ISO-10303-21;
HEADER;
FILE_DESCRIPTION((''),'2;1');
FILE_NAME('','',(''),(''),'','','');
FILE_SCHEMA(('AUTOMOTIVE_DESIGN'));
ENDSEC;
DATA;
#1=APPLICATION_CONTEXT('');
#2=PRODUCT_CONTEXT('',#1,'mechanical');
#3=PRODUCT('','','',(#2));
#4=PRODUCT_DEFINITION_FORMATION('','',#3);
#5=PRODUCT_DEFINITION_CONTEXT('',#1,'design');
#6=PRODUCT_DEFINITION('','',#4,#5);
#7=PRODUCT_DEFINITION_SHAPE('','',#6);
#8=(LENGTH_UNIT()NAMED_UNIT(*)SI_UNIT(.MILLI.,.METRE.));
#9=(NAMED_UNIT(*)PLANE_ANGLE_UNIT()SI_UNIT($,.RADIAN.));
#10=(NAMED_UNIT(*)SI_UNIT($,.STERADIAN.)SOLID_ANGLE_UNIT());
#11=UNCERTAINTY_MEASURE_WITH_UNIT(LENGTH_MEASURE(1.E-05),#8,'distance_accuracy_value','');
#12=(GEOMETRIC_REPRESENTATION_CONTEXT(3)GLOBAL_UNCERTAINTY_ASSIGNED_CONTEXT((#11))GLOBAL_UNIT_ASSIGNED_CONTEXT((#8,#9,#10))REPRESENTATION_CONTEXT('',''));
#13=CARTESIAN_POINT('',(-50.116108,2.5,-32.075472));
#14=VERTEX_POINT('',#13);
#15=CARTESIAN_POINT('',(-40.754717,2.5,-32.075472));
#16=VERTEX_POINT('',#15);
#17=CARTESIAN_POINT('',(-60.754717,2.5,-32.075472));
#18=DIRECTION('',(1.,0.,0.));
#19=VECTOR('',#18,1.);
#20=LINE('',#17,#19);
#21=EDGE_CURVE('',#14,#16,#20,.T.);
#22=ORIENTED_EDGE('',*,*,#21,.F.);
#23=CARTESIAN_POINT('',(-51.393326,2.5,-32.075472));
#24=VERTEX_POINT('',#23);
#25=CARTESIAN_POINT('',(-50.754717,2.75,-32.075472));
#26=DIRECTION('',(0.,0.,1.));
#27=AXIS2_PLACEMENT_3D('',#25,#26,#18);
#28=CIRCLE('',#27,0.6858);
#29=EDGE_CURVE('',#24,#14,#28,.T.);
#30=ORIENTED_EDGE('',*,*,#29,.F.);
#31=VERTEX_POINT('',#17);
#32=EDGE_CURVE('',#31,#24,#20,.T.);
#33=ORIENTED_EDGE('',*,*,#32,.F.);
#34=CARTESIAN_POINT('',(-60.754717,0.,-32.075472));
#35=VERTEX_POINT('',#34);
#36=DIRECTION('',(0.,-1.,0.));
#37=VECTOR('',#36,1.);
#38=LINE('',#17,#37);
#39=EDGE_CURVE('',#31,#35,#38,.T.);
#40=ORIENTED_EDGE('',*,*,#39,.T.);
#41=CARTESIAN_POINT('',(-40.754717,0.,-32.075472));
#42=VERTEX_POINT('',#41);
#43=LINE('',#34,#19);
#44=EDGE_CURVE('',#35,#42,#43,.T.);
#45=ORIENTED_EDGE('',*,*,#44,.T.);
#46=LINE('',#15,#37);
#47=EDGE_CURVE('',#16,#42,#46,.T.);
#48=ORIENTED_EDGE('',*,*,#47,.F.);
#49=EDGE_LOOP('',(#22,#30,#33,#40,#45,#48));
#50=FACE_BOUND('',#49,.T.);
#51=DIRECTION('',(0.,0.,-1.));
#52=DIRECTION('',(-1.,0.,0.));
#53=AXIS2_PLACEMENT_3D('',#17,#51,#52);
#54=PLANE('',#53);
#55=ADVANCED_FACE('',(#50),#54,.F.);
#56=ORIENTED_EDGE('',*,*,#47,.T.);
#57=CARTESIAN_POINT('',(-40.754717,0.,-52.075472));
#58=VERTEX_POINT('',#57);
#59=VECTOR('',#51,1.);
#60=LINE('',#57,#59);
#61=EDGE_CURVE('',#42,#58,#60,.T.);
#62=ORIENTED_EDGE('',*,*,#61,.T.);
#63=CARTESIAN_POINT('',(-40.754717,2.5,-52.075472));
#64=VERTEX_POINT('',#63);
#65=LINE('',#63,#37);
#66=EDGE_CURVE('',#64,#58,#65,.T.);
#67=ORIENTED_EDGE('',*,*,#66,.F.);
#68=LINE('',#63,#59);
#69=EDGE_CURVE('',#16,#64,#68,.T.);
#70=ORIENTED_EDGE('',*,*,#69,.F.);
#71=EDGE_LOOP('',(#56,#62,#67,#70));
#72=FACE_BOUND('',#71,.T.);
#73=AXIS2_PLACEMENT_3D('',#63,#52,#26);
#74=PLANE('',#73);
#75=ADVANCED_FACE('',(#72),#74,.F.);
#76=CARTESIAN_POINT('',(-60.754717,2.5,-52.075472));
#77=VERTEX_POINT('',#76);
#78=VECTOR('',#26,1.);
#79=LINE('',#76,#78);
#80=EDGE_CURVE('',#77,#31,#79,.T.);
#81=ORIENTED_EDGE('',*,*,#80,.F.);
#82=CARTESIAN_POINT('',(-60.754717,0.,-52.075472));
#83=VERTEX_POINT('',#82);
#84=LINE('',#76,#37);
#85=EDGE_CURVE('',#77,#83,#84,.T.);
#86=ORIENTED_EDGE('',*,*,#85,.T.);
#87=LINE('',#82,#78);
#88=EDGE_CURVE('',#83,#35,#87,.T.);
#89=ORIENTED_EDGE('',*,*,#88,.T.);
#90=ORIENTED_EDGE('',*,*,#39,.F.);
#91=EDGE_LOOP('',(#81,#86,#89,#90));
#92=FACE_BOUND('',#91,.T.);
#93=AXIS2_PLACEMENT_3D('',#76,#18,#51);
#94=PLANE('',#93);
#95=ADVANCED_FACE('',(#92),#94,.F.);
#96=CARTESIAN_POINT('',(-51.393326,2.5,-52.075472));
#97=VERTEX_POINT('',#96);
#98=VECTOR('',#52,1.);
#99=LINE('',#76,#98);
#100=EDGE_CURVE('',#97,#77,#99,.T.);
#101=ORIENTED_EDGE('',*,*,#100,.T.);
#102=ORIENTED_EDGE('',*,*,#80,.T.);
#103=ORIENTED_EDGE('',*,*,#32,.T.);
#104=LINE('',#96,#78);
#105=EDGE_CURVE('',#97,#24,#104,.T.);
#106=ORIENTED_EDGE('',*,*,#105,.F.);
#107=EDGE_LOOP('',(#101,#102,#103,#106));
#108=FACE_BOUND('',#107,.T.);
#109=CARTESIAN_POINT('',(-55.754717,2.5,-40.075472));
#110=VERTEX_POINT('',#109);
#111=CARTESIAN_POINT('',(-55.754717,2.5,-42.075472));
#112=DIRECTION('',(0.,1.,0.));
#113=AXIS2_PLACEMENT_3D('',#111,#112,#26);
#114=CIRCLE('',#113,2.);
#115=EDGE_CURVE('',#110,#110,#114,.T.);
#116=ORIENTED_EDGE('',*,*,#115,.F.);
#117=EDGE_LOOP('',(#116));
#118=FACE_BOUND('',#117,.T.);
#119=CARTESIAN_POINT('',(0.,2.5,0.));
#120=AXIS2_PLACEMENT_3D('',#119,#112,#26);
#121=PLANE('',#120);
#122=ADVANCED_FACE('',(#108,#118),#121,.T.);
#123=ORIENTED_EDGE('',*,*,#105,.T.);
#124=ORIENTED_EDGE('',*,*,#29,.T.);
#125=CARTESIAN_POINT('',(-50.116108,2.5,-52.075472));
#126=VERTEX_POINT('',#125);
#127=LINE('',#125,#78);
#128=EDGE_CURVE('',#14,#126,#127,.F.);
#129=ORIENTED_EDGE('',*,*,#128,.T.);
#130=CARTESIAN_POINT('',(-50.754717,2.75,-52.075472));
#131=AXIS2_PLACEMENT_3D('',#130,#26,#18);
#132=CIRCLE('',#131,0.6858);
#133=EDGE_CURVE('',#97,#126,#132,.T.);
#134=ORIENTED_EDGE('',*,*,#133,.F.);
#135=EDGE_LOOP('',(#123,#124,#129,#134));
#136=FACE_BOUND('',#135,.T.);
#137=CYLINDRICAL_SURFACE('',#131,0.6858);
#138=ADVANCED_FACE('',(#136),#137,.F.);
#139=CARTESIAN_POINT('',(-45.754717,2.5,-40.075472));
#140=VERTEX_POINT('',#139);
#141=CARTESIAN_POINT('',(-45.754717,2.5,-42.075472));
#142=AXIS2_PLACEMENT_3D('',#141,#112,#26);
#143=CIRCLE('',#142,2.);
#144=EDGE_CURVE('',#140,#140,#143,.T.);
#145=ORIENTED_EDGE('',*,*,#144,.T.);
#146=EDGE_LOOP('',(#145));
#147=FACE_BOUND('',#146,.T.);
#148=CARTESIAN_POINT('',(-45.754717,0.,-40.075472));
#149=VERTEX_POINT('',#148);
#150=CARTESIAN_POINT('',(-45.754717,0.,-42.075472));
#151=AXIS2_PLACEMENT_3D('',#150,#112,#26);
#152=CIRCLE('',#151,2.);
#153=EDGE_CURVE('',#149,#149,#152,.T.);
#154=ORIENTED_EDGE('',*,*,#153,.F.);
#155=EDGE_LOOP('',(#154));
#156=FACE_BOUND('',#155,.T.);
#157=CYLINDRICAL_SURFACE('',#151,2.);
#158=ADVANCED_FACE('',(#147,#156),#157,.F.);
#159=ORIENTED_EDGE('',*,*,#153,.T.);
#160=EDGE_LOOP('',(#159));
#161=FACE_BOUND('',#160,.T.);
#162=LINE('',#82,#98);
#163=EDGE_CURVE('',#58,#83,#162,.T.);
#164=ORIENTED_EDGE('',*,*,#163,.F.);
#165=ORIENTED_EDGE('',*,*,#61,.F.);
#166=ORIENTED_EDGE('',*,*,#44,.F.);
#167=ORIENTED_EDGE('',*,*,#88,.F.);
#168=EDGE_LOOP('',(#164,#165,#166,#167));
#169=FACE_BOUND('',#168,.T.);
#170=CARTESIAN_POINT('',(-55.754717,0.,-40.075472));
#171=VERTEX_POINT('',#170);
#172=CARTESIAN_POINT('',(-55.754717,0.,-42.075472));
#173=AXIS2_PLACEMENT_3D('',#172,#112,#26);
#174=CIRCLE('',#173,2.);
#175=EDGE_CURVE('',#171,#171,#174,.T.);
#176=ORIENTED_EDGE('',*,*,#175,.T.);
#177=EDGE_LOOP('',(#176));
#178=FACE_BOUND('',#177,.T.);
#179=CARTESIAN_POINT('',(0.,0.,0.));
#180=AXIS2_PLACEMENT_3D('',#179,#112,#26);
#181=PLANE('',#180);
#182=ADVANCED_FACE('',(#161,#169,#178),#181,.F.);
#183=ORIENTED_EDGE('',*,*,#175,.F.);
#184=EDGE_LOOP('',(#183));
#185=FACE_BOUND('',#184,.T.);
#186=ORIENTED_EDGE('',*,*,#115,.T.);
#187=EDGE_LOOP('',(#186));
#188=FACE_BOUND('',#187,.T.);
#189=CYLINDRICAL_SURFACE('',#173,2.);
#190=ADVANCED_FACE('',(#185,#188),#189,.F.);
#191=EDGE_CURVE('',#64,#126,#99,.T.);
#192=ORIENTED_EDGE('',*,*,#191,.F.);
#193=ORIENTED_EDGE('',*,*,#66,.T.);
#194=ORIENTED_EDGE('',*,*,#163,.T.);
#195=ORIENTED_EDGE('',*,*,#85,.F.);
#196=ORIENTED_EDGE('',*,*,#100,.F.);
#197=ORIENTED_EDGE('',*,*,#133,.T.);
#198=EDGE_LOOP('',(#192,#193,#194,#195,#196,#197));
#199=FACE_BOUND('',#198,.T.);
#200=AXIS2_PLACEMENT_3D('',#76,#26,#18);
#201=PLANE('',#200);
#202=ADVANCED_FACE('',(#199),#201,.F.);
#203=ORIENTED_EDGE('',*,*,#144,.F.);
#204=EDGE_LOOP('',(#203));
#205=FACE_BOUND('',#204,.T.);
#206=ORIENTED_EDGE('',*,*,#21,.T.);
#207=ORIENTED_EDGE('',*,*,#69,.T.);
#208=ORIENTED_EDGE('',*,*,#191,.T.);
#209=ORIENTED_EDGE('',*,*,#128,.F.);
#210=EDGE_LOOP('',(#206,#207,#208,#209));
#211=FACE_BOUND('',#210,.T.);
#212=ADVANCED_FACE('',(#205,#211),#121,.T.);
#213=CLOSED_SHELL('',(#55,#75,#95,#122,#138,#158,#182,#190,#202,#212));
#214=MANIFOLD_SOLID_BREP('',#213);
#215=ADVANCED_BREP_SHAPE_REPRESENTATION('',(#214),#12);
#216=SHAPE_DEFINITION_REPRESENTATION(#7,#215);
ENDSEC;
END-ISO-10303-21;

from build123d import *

# Parameters (mm, degrees)
SKETCH1_W           = 20
SKETCH1_H           = 20
BOSS_EXTRUDE1_DEPTH = 2.5
SKETCH2_R           = 0.6858
CUT_EXTRUDE1_DEPTH  = 21
SKETCH3_R           = 2
CUT_EXTRUDE2_DEPTH  = 3.5


with BuildPart() as part:
    # Sketch1 → Boss-Extrude1 (new body)
    with BuildSketch(Plane(origin=(0, 0, 0), x_dir=(1, 0, 0), z_dir=(0, 1, 0))):
        with Locations((-50.754716981, 42.075471698)):
            Rectangle(SKETCH1_W, SKETCH1_H)
    extrude(amount=BOSS_EXTRUDE1_DEPTH)

    # Sketch2 → Cut-Extrude1 (cut, through all)
    with BuildSketch(Plane.XY.offset(-32.075471698)):
        with Locations((-50.754716981, 2.75)):
            Circle(SKETCH2_R)
    extrude(amount=-CUT_EXTRUDE1_DEPTH, mode=Mode.SUBTRACT)

    # Sketch3 → Cut-Extrude2 (cut, through all)
    with BuildSketch(Plane(origin=(0, 2.5, 0), x_dir=(1, 0, 0), z_dir=(0, 1, 0))):
        with Locations((-55.754716981, 42.075471698)):
            Circle(SKETCH3_R)
        with Locations((-45.754716981, 42.075471698)):
            Circle(SKETCH3_R)
    extrude(amount=-CUT_EXTRUDE2_DEPTH, mode=Mode.SUBTRACT)


solid = part.part
